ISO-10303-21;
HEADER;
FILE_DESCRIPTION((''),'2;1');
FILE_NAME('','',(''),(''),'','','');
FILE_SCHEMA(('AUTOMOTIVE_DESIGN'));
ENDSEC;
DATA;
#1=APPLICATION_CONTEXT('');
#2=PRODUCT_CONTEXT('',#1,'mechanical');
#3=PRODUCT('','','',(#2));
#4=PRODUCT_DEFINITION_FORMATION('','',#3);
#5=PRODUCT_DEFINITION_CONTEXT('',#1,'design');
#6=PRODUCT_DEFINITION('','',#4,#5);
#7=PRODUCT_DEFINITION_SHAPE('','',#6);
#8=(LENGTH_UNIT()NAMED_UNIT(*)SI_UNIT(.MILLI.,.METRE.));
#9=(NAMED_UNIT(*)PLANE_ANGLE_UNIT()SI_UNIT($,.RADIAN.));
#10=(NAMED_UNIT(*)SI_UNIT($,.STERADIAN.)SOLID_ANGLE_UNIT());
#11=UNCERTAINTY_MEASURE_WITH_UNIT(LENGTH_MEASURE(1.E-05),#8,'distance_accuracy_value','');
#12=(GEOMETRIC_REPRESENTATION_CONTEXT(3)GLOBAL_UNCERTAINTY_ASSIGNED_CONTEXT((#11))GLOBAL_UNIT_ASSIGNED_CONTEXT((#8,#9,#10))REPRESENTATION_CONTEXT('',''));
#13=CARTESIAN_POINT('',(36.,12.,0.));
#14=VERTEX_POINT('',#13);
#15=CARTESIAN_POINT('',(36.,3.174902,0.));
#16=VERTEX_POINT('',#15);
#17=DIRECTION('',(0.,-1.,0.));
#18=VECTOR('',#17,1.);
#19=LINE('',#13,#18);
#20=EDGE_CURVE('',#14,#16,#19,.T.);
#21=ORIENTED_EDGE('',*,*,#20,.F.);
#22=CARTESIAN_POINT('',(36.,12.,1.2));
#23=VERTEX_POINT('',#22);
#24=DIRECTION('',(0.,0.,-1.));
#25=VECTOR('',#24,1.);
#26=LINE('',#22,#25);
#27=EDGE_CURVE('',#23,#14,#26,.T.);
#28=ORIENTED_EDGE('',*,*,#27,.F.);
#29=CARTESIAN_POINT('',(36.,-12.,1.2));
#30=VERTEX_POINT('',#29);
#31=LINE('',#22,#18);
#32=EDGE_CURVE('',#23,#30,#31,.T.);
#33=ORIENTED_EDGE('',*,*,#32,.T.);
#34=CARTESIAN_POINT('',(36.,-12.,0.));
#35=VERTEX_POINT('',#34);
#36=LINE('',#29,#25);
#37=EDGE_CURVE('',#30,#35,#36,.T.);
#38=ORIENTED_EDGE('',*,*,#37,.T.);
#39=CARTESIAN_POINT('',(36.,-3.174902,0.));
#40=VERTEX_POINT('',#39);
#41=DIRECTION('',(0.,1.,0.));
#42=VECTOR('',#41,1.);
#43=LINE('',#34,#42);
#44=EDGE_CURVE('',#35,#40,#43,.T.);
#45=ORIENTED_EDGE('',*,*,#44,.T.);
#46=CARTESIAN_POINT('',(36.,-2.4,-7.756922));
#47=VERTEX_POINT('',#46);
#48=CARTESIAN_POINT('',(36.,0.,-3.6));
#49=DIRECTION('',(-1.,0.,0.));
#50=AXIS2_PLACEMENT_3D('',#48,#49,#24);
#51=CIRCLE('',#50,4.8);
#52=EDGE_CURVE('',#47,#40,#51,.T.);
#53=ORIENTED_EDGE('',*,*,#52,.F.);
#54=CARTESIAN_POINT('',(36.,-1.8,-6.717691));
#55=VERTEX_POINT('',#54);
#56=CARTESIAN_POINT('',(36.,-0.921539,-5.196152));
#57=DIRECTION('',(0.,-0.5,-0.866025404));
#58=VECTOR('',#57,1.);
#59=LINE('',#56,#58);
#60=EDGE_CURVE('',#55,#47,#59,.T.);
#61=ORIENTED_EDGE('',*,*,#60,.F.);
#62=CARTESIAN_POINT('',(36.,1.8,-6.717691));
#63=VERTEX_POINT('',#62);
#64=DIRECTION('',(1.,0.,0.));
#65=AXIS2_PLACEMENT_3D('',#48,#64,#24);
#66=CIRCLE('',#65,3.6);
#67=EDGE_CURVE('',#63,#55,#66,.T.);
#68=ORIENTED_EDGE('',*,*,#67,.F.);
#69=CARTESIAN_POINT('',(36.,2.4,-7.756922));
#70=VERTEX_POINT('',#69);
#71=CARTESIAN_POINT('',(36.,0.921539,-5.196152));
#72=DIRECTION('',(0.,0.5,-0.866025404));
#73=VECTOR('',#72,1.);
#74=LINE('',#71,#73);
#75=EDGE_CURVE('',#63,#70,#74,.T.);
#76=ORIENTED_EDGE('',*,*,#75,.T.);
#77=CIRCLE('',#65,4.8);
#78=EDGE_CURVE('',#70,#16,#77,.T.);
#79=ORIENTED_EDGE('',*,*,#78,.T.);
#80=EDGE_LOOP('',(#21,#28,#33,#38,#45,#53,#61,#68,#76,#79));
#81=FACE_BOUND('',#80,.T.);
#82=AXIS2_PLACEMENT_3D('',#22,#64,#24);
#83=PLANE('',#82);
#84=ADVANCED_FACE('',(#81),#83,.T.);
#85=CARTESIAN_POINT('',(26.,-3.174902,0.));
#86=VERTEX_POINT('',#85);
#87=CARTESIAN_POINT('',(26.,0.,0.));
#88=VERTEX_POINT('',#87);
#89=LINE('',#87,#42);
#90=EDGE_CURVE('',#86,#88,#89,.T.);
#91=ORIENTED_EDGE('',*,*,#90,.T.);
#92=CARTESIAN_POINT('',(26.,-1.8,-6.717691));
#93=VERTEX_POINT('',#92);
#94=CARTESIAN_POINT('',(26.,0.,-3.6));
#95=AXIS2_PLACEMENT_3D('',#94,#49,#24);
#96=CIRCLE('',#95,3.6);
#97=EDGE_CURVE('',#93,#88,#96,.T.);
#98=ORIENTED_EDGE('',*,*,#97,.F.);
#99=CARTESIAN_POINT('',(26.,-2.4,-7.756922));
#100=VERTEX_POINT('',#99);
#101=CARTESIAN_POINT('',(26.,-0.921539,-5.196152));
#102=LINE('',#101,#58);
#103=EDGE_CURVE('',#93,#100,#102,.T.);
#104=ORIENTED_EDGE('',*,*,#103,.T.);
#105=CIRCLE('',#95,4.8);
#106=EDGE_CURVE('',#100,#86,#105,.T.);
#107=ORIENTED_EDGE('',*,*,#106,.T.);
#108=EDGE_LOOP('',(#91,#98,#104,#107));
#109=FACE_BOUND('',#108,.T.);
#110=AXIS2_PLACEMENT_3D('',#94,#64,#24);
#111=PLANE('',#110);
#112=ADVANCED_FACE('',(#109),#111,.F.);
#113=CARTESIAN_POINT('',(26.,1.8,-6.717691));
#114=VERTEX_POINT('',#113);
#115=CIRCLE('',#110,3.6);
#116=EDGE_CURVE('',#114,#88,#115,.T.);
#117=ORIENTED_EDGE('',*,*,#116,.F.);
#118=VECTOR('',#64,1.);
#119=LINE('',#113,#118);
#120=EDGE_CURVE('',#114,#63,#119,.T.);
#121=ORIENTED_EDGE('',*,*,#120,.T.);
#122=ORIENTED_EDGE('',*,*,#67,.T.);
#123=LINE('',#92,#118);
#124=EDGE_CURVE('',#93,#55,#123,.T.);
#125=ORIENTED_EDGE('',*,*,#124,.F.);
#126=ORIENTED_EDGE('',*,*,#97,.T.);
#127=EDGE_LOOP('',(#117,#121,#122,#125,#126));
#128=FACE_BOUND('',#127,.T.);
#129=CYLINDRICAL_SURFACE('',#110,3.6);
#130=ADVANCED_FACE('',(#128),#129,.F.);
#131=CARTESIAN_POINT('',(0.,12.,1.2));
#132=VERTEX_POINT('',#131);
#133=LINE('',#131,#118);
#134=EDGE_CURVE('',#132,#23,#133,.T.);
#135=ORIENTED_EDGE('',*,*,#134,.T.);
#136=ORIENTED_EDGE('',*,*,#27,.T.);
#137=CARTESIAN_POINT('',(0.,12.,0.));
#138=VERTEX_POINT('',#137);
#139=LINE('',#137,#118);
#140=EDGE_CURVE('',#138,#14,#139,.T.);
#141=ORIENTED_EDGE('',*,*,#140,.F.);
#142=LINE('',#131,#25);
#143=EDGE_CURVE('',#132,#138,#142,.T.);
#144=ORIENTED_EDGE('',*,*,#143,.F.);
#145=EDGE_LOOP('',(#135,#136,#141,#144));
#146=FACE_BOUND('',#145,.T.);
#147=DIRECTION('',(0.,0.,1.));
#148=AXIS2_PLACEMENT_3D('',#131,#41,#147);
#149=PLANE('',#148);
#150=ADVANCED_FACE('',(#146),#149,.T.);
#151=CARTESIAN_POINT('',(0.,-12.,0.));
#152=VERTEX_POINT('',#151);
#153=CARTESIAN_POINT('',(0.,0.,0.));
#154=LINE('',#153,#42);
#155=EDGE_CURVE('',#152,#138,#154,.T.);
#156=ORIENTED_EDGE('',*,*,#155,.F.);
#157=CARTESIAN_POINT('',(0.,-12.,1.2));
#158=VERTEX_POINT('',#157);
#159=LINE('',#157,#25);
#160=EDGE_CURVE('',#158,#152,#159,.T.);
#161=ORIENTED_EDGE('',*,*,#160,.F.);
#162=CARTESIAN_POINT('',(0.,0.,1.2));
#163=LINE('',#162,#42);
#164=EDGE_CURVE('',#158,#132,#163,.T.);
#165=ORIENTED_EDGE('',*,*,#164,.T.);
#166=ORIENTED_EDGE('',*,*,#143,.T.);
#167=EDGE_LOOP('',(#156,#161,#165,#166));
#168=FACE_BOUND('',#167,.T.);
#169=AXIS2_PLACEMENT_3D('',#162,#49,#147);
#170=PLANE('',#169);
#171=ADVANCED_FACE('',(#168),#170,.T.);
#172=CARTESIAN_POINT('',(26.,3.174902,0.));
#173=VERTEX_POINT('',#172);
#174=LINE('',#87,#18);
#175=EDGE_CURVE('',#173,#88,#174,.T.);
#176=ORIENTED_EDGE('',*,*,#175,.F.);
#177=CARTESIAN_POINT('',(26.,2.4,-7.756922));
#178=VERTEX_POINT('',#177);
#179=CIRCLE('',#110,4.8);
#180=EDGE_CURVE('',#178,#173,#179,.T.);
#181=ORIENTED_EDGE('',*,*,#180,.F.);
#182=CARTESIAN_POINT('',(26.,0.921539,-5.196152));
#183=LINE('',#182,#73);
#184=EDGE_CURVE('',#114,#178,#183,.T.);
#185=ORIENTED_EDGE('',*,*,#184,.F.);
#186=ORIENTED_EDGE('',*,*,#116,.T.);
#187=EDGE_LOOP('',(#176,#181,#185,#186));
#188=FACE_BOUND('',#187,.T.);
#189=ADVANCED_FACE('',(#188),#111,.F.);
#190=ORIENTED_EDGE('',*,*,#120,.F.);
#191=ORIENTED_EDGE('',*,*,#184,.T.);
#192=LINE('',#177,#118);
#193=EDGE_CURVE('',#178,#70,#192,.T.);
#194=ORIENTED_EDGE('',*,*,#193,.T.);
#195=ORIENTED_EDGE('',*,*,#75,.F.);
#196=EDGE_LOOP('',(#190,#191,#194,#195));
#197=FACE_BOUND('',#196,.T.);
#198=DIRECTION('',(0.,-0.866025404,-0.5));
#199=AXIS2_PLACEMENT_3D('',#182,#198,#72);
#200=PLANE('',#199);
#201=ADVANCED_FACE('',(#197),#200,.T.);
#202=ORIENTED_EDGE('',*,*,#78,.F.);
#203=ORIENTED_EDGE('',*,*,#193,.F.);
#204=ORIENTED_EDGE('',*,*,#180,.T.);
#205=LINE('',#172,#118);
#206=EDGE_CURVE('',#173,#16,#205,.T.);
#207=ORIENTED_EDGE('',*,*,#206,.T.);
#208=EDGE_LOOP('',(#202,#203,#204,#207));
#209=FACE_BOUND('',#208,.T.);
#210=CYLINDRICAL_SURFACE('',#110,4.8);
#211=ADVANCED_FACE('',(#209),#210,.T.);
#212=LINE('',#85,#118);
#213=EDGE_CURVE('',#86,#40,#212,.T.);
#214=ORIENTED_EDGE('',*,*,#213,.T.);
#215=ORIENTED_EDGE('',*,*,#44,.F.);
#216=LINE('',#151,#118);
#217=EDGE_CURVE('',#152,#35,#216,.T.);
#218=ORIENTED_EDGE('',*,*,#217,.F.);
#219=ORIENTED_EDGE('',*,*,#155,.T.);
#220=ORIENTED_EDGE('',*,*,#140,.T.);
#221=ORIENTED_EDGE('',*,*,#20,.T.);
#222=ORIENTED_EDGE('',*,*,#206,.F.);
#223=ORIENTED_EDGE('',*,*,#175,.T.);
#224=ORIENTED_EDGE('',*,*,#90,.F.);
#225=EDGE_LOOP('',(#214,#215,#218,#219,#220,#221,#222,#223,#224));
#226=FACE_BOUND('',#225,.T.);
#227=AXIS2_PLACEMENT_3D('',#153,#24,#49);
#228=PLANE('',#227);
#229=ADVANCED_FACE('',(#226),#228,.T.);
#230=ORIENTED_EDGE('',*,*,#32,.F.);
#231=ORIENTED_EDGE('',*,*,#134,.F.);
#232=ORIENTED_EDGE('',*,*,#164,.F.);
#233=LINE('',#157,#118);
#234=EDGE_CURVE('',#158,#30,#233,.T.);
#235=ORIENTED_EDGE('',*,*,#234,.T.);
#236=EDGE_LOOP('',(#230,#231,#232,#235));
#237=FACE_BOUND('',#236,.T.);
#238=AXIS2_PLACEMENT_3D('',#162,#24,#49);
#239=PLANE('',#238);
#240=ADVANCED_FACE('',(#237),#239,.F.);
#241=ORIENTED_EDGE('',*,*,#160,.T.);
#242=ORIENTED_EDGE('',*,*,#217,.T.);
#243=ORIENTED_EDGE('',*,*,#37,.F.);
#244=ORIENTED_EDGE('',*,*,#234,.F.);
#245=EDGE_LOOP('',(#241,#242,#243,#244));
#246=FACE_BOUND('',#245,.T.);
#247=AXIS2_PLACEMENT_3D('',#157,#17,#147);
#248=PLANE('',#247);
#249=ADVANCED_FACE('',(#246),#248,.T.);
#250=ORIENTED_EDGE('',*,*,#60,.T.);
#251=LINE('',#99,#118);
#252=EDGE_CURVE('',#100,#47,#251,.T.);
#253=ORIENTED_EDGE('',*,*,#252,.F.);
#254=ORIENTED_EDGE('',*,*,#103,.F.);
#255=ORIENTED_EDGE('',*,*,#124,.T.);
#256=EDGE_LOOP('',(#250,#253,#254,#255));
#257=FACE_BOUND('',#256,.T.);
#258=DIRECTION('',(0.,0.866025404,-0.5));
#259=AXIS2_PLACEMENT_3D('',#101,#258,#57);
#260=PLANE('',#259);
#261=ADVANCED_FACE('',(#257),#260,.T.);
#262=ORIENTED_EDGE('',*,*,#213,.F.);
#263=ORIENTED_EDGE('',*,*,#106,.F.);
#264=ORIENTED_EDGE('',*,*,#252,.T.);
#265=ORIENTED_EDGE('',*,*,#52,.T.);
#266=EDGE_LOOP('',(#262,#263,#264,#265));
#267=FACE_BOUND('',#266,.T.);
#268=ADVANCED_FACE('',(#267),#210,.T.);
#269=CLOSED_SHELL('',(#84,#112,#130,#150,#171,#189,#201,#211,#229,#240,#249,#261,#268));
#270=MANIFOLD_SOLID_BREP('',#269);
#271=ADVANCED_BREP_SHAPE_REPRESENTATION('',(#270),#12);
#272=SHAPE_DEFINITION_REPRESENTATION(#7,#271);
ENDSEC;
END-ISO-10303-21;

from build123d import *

# Parameters (mm, degrees)
SKETCH11_W          = 36
SKETCH11_H          = 12
BOSS_EXTRUDE3_DEPTH = 1.2
EXTRUDE_THIN2_START = 36
EXTRUDE_THIN2_DEPTH = 10


with BuildPart() as part:
    # Sketch11 → Boss-Extrude3 (new body)
    with BuildSketch(Plane.XY):
        with Locations((18, 6)):
            Rectangle(SKETCH11_W, SKETCH11_H)
    extrude(amount=BOSS_EXTRUDE3_DEPTH)

    # Sketch2 → Extrude-Thin2 (add)
    with BuildSketch(Plane(origin=(0, 0, 0), x_dir=(0, 0, -1), z_dir=(1, 0, 0)).offset(EXTRUDE_THIN2_START)):
        with BuildLine():
            ThreePointArc((0, 0), (2.668251438, 3.477332975), (6.717691454, 1.8))
            Line((6.717691454, 1.8), (7.756921938, 2.4))
            ThreePointArc((7.756921938, 2.4), (2.357668584, 4.636443966), (-1.2, 0))
            Line((-1.2, 0), (0, 0))
        make_face()
    extrude(amount=-EXTRUDE_THIN2_DEPTH)

    # Mirror1: part across plane


with BuildPart() as part_1:
    add(part.part)
    add(part.part.mirror(Plane.ZX))


solid = part_1.part
